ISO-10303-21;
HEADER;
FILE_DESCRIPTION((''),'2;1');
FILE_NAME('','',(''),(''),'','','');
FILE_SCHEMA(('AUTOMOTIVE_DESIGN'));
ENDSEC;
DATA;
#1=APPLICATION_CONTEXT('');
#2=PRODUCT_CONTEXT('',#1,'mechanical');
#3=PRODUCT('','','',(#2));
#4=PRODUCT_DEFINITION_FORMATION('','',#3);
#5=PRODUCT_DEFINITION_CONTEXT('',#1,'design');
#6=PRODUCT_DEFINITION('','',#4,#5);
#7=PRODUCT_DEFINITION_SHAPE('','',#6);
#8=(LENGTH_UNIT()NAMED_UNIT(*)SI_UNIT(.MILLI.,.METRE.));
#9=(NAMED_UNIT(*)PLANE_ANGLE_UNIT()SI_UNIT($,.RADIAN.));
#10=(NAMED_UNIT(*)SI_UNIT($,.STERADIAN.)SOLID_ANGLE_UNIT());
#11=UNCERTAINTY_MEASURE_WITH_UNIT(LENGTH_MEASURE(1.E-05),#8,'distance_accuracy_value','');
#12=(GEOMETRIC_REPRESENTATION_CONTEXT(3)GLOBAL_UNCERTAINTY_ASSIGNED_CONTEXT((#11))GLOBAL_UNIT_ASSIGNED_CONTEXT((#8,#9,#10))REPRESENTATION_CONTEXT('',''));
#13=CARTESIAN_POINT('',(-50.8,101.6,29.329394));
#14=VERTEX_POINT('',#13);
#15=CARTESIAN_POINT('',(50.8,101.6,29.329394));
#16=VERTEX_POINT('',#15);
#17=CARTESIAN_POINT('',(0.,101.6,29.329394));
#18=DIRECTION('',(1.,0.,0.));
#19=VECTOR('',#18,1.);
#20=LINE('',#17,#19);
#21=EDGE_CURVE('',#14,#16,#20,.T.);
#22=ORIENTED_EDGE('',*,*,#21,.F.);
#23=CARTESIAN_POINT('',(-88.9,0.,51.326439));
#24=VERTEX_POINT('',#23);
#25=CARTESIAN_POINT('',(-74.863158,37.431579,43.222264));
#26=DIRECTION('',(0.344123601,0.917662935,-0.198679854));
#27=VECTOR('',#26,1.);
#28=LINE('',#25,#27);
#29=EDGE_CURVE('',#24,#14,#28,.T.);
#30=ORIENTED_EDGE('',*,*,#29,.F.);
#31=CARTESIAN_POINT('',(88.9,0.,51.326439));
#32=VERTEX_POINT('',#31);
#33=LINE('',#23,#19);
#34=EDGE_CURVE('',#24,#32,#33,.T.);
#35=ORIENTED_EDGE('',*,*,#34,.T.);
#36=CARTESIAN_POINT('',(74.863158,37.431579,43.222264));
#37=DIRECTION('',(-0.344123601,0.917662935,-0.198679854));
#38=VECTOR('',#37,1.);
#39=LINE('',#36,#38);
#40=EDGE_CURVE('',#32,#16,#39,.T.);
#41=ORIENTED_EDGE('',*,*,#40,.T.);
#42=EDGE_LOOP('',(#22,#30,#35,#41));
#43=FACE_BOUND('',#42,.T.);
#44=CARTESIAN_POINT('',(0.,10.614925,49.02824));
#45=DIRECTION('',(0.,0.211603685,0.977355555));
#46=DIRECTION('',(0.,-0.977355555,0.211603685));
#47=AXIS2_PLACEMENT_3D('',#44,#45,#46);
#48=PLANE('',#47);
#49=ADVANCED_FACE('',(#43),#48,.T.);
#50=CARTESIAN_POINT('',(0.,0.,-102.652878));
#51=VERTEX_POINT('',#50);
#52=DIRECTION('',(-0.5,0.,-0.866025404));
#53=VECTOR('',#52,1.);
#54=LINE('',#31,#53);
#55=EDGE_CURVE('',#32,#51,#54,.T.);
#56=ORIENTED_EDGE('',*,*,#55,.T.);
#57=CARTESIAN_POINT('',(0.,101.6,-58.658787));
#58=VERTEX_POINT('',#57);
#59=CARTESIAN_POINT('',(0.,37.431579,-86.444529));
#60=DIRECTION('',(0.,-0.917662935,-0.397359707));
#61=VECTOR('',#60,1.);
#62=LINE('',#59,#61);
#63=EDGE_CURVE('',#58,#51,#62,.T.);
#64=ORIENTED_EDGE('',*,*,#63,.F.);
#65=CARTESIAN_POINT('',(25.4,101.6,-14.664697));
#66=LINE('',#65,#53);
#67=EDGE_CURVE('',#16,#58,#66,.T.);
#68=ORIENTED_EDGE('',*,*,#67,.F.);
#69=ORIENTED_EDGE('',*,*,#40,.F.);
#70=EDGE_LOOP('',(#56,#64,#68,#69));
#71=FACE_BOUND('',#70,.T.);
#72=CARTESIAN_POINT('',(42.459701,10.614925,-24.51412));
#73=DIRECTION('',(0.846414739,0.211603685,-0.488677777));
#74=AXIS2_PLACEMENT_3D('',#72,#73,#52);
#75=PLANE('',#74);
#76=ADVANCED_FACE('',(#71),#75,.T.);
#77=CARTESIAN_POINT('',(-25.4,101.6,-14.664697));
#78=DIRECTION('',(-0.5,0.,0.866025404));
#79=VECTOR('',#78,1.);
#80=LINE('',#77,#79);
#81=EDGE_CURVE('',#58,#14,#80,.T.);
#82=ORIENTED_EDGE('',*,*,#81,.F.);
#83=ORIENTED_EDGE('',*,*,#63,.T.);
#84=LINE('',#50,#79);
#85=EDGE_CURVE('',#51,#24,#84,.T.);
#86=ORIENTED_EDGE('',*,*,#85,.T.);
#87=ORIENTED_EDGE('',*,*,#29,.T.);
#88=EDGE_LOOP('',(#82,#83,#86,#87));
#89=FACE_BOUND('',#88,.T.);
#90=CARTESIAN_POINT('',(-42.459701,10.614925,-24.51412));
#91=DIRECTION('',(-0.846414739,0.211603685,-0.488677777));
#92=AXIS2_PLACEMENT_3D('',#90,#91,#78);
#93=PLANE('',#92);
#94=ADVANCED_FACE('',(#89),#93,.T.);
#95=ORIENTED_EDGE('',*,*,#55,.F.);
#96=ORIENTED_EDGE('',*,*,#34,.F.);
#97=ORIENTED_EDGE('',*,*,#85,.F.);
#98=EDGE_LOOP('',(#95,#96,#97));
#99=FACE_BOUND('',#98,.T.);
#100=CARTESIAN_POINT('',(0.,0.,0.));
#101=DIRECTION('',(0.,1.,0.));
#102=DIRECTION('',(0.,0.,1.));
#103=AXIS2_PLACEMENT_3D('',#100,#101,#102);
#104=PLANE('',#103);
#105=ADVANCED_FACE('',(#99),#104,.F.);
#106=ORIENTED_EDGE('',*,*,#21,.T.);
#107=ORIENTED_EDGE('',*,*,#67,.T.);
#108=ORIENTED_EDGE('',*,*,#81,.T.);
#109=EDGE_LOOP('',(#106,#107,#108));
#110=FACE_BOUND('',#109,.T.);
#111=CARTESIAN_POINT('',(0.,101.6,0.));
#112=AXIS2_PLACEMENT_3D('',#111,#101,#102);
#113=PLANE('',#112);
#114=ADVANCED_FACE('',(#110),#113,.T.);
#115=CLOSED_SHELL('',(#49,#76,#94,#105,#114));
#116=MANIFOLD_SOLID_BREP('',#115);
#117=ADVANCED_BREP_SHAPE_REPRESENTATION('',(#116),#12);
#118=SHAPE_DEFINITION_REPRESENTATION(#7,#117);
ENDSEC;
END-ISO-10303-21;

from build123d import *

# Parameters (mm, degrees)
BOSS_EXTRUDE1_DEPTH = 101.6
SKETCH3_W           = 415.71343084
SKETCH3_H           = 232.25163297
CUT_EXTRUDE1_DEPTH  = 152.4
SKETCH4_W           = 330.261627224
SKETCH4_H           = 257.519114475
CUT_EXTRUDE2_DEPTH  = 152.4
SKETCH5_W           = 304.13342749
SKETCH5_H           = 210.120003228
CUT_EXTRUDE3_DEPTH  = 152.4


with BuildPart() as part:
    # Sketch1 → Boss-Extrude1 (new body)
    with BuildSketch(Plane(origin=(0, 0, 0), x_dir=(1, 0, 0), z_dir=(0, 1, 0))):
        Polygon((0, 102.652877862), (-88.9, -51.326438931), (88.9, -51.326438931), align=None)
    extrude(amount=BOSS_EXTRUDE1_DEPTH)

    # Sketch3 → Cut-Extrude1 (cut)
    with BuildSketch(Plane(origin=(-42.459701493, 10.614925373, -24.514120086), x_dir=(0.4832445480711858, -0.0803381317273392, -0.8717915412241828), z_dir=(0.846414739030318, -0.2116036847575797, 0.4886777774252209))):
        with Locations((15.518535429, 25.810339784)):
            Rectangle(SKETCH3_W, SKETCH3_H)
    extrude(amount=-CUT_EXTRUDE1_DEPTH, mode=Mode.SUBTRACT)

    # Sketch4 → Cut-Extrude2 (cut)
    with BuildSketch(Plane(origin=(0, 10.614925373, 49.028240173), x_dir=(-1, 0, 0), z_dir=(0, -0.2116036847575795, -0.9773555548504419))):
        with Locations((6.792319927, 42.566259276)):
            Rectangle(SKETCH4_W, SKETCH4_H)
    extrude(amount=-CUT_EXTRUDE2_DEPTH, mode=Mode.SUBTRACT)

    # Sketch5 → Cut-Extrude3 (cut)
    with BuildSketch(Plane(origin=(42.459701493, 10.614925373, -24.514120086), x_dir=(0.4832445480711859, 0.08033813172733906, 0.8717915412241828), z_dir=(-0.8464147390303179, -0.21160368475757932, 0.4886777774252209))):
        with Locations((15.433156883, 49.391097897)):
            Rectangle(SKETCH5_W, SKETCH5_H)
    extrude(amount=-CUT_EXTRUDE3_DEPTH, mode=Mode.SUBTRACT)


solid = part.part
